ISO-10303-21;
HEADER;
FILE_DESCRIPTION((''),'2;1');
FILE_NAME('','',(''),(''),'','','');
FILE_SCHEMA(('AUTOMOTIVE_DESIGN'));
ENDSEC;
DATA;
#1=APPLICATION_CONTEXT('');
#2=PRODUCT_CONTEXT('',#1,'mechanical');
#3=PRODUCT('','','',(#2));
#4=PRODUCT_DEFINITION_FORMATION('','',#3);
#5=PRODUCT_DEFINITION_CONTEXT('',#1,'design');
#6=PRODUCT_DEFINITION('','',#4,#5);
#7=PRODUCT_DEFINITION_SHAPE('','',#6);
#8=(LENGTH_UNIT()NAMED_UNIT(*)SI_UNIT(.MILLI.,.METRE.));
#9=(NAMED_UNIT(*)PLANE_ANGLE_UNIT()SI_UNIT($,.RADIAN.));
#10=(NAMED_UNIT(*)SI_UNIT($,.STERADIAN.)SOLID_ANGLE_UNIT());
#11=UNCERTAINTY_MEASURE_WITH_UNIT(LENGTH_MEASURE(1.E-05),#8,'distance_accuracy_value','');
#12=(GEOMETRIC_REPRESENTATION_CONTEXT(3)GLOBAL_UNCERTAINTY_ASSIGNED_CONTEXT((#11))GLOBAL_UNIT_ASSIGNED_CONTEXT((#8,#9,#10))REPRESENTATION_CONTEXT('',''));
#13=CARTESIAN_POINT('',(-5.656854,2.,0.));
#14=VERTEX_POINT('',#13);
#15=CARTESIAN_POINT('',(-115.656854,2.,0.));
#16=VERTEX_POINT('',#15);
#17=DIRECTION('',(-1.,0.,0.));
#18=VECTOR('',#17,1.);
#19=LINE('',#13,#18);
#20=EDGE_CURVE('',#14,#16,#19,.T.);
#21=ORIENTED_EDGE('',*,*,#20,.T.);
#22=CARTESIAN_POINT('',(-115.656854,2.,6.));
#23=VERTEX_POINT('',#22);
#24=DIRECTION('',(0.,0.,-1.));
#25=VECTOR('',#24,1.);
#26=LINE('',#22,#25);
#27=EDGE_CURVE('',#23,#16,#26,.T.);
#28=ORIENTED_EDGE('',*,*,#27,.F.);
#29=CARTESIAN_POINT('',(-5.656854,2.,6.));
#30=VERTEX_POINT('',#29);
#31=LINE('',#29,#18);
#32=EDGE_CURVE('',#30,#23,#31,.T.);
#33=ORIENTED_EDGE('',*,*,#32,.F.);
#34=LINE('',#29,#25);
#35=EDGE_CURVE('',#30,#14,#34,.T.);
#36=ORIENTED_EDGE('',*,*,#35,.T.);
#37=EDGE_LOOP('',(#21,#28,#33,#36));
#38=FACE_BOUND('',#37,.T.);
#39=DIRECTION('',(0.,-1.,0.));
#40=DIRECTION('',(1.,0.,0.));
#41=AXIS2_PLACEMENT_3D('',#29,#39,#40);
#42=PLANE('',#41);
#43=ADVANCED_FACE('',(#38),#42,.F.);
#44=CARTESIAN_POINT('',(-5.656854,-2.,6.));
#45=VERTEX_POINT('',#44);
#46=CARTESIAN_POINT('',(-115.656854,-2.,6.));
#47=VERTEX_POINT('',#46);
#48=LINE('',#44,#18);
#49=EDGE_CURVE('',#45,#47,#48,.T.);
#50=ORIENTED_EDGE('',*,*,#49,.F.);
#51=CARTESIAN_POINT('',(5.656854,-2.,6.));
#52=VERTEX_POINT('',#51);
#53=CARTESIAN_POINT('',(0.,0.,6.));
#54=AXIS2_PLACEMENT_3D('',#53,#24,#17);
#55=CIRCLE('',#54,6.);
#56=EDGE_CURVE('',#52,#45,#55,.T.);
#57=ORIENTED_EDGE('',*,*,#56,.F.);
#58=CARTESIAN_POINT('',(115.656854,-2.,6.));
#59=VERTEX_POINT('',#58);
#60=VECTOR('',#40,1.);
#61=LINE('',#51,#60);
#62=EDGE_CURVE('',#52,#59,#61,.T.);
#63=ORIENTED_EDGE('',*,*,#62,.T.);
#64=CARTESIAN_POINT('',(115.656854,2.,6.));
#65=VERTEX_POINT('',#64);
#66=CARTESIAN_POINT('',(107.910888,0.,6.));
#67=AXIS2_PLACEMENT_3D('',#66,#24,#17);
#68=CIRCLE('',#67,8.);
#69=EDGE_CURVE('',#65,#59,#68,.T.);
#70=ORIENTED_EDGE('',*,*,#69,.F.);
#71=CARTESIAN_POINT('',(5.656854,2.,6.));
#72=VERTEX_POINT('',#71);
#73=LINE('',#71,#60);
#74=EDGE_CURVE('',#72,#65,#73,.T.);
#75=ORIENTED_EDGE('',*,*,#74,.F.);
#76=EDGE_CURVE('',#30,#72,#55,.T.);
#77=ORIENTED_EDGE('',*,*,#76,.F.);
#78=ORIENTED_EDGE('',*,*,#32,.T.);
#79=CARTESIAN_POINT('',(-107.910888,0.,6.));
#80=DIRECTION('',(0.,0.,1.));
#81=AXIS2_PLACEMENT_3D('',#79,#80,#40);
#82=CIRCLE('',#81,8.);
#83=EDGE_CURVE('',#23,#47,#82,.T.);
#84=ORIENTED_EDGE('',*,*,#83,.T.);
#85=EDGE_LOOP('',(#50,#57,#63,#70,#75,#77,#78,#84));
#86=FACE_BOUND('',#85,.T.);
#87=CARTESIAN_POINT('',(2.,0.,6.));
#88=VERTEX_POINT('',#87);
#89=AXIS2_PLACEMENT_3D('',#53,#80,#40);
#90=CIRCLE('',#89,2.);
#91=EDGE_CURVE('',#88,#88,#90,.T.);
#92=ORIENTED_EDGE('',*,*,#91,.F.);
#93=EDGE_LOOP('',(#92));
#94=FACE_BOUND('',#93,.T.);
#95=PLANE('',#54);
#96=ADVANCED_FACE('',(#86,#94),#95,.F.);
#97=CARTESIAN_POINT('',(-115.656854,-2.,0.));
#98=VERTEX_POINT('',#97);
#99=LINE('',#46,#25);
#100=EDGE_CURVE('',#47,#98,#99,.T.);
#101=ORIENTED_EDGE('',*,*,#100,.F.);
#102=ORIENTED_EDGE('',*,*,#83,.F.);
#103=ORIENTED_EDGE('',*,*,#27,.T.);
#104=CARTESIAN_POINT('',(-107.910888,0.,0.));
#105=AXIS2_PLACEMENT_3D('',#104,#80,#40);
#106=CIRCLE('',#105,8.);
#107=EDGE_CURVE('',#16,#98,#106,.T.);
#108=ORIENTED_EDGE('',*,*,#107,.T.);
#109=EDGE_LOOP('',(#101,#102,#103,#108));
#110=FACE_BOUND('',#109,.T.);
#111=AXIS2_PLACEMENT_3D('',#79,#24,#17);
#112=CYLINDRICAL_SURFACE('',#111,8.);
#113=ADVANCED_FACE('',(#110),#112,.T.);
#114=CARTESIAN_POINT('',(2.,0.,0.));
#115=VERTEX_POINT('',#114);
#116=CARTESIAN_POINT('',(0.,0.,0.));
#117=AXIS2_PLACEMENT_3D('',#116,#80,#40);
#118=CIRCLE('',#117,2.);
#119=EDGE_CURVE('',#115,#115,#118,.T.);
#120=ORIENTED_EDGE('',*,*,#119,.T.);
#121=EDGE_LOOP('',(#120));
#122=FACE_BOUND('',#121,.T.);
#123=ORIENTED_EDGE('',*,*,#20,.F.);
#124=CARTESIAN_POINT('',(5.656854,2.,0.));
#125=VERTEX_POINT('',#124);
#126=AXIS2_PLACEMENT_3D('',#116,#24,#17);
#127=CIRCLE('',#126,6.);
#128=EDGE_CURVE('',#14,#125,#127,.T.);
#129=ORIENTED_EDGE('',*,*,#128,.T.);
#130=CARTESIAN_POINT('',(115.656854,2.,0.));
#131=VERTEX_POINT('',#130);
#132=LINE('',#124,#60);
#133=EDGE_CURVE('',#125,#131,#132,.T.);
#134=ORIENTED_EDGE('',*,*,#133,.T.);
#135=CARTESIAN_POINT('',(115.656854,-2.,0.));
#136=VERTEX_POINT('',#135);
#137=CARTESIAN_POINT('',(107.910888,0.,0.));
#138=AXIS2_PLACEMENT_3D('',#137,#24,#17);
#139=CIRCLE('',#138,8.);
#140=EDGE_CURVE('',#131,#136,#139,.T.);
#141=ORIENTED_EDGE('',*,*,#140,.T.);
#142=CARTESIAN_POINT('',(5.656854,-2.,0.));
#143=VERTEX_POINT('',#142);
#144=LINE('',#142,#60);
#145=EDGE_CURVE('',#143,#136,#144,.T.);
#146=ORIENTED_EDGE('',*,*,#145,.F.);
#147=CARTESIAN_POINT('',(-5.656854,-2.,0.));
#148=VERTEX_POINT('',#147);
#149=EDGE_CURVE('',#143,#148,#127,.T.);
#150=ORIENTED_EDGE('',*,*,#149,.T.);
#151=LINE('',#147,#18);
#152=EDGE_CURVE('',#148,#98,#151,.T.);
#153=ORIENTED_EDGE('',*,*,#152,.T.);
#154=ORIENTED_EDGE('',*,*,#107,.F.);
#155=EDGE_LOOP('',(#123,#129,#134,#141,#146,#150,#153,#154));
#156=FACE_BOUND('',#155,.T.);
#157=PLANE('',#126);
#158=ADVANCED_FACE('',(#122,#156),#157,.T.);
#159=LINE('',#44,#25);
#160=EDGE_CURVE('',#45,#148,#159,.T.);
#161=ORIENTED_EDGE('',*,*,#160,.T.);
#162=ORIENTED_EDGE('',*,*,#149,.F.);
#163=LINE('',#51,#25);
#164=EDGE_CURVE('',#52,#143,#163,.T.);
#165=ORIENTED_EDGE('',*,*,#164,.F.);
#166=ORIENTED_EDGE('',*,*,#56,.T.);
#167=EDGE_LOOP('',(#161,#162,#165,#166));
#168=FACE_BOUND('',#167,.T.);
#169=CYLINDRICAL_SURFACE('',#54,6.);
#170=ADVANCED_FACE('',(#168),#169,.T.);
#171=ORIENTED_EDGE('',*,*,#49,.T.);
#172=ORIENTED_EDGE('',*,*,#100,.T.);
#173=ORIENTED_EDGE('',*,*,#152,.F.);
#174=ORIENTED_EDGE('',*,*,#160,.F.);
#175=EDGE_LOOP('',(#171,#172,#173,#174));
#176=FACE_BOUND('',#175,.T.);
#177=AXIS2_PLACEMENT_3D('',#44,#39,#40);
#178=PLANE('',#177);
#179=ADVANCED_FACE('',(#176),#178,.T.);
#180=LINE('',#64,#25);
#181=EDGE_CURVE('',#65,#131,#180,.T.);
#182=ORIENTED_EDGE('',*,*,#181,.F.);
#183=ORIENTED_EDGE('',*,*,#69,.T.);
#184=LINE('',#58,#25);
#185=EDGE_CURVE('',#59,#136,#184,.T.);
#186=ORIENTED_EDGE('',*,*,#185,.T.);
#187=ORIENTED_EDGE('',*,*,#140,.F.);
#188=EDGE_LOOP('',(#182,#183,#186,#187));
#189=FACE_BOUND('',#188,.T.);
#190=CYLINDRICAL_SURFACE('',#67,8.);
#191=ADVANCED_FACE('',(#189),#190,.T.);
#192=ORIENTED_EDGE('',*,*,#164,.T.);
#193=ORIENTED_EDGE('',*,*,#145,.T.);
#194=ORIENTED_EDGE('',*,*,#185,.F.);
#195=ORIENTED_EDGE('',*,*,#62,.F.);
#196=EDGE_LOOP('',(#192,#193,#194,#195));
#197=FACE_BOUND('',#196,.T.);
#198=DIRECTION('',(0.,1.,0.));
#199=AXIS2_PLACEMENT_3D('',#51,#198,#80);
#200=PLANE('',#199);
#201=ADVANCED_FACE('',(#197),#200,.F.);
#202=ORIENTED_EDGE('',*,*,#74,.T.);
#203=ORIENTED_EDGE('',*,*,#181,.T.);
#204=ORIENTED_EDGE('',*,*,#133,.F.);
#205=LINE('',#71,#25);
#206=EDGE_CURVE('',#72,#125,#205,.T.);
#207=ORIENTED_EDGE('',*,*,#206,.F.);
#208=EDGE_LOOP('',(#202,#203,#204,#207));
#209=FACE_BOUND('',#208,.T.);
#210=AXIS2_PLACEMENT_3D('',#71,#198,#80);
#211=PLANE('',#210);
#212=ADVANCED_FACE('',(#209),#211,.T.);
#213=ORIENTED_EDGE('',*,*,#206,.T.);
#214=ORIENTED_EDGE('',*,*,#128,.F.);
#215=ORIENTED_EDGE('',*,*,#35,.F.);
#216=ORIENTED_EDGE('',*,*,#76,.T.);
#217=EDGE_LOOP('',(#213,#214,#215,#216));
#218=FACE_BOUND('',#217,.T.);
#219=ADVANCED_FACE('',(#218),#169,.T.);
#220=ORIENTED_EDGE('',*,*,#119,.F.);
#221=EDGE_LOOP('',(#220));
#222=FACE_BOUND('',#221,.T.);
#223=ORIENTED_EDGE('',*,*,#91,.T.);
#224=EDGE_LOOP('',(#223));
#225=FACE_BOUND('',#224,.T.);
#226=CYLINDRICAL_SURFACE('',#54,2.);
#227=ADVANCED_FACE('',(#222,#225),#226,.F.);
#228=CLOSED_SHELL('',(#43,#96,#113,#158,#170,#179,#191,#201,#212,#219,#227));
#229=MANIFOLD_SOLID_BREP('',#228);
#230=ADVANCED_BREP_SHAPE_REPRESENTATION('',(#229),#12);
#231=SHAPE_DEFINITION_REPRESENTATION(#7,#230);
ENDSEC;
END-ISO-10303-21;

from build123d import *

# Parameters (mm, degrees)
ESQUISSE1_R        = 2
BOSS_EXTRU_1_DEPTH = 6


with BuildPart() as part:
    # Esquisse1 → Boss.-Extru.1 (new body)
    with BuildSketch(Plane.XY):
        with BuildLine():
            Line((-5.656854249, 2), (-115.656854249, 2))
            ThreePointArc((-115.656854249, 2), (-115.910887557, 0), (-115.656854249, -2))
            Line((-115.656854249, -2), (-5.656854249, -2))
            ThreePointArc((-5.656854249, -2), (0, -6), (5.656854249, -2))
            Line((5.656854249, -2), (115.656854249, -2))
            ThreePointArc((115.656854249, -2), (115.910887557, 0), (115.656854249, 2))
            Line((115.656854249, 2), (5.656854249, 2))
            ThreePointArc((5.656854249, 2), (0, 6), (-5.656854249, 2))
        make_face()
        Circle(ESQUISSE1_R, mode=Mode.SUBTRACT)
    extrude(amount=BOSS_EXTRU_1_DEPTH)


solid = part.part
